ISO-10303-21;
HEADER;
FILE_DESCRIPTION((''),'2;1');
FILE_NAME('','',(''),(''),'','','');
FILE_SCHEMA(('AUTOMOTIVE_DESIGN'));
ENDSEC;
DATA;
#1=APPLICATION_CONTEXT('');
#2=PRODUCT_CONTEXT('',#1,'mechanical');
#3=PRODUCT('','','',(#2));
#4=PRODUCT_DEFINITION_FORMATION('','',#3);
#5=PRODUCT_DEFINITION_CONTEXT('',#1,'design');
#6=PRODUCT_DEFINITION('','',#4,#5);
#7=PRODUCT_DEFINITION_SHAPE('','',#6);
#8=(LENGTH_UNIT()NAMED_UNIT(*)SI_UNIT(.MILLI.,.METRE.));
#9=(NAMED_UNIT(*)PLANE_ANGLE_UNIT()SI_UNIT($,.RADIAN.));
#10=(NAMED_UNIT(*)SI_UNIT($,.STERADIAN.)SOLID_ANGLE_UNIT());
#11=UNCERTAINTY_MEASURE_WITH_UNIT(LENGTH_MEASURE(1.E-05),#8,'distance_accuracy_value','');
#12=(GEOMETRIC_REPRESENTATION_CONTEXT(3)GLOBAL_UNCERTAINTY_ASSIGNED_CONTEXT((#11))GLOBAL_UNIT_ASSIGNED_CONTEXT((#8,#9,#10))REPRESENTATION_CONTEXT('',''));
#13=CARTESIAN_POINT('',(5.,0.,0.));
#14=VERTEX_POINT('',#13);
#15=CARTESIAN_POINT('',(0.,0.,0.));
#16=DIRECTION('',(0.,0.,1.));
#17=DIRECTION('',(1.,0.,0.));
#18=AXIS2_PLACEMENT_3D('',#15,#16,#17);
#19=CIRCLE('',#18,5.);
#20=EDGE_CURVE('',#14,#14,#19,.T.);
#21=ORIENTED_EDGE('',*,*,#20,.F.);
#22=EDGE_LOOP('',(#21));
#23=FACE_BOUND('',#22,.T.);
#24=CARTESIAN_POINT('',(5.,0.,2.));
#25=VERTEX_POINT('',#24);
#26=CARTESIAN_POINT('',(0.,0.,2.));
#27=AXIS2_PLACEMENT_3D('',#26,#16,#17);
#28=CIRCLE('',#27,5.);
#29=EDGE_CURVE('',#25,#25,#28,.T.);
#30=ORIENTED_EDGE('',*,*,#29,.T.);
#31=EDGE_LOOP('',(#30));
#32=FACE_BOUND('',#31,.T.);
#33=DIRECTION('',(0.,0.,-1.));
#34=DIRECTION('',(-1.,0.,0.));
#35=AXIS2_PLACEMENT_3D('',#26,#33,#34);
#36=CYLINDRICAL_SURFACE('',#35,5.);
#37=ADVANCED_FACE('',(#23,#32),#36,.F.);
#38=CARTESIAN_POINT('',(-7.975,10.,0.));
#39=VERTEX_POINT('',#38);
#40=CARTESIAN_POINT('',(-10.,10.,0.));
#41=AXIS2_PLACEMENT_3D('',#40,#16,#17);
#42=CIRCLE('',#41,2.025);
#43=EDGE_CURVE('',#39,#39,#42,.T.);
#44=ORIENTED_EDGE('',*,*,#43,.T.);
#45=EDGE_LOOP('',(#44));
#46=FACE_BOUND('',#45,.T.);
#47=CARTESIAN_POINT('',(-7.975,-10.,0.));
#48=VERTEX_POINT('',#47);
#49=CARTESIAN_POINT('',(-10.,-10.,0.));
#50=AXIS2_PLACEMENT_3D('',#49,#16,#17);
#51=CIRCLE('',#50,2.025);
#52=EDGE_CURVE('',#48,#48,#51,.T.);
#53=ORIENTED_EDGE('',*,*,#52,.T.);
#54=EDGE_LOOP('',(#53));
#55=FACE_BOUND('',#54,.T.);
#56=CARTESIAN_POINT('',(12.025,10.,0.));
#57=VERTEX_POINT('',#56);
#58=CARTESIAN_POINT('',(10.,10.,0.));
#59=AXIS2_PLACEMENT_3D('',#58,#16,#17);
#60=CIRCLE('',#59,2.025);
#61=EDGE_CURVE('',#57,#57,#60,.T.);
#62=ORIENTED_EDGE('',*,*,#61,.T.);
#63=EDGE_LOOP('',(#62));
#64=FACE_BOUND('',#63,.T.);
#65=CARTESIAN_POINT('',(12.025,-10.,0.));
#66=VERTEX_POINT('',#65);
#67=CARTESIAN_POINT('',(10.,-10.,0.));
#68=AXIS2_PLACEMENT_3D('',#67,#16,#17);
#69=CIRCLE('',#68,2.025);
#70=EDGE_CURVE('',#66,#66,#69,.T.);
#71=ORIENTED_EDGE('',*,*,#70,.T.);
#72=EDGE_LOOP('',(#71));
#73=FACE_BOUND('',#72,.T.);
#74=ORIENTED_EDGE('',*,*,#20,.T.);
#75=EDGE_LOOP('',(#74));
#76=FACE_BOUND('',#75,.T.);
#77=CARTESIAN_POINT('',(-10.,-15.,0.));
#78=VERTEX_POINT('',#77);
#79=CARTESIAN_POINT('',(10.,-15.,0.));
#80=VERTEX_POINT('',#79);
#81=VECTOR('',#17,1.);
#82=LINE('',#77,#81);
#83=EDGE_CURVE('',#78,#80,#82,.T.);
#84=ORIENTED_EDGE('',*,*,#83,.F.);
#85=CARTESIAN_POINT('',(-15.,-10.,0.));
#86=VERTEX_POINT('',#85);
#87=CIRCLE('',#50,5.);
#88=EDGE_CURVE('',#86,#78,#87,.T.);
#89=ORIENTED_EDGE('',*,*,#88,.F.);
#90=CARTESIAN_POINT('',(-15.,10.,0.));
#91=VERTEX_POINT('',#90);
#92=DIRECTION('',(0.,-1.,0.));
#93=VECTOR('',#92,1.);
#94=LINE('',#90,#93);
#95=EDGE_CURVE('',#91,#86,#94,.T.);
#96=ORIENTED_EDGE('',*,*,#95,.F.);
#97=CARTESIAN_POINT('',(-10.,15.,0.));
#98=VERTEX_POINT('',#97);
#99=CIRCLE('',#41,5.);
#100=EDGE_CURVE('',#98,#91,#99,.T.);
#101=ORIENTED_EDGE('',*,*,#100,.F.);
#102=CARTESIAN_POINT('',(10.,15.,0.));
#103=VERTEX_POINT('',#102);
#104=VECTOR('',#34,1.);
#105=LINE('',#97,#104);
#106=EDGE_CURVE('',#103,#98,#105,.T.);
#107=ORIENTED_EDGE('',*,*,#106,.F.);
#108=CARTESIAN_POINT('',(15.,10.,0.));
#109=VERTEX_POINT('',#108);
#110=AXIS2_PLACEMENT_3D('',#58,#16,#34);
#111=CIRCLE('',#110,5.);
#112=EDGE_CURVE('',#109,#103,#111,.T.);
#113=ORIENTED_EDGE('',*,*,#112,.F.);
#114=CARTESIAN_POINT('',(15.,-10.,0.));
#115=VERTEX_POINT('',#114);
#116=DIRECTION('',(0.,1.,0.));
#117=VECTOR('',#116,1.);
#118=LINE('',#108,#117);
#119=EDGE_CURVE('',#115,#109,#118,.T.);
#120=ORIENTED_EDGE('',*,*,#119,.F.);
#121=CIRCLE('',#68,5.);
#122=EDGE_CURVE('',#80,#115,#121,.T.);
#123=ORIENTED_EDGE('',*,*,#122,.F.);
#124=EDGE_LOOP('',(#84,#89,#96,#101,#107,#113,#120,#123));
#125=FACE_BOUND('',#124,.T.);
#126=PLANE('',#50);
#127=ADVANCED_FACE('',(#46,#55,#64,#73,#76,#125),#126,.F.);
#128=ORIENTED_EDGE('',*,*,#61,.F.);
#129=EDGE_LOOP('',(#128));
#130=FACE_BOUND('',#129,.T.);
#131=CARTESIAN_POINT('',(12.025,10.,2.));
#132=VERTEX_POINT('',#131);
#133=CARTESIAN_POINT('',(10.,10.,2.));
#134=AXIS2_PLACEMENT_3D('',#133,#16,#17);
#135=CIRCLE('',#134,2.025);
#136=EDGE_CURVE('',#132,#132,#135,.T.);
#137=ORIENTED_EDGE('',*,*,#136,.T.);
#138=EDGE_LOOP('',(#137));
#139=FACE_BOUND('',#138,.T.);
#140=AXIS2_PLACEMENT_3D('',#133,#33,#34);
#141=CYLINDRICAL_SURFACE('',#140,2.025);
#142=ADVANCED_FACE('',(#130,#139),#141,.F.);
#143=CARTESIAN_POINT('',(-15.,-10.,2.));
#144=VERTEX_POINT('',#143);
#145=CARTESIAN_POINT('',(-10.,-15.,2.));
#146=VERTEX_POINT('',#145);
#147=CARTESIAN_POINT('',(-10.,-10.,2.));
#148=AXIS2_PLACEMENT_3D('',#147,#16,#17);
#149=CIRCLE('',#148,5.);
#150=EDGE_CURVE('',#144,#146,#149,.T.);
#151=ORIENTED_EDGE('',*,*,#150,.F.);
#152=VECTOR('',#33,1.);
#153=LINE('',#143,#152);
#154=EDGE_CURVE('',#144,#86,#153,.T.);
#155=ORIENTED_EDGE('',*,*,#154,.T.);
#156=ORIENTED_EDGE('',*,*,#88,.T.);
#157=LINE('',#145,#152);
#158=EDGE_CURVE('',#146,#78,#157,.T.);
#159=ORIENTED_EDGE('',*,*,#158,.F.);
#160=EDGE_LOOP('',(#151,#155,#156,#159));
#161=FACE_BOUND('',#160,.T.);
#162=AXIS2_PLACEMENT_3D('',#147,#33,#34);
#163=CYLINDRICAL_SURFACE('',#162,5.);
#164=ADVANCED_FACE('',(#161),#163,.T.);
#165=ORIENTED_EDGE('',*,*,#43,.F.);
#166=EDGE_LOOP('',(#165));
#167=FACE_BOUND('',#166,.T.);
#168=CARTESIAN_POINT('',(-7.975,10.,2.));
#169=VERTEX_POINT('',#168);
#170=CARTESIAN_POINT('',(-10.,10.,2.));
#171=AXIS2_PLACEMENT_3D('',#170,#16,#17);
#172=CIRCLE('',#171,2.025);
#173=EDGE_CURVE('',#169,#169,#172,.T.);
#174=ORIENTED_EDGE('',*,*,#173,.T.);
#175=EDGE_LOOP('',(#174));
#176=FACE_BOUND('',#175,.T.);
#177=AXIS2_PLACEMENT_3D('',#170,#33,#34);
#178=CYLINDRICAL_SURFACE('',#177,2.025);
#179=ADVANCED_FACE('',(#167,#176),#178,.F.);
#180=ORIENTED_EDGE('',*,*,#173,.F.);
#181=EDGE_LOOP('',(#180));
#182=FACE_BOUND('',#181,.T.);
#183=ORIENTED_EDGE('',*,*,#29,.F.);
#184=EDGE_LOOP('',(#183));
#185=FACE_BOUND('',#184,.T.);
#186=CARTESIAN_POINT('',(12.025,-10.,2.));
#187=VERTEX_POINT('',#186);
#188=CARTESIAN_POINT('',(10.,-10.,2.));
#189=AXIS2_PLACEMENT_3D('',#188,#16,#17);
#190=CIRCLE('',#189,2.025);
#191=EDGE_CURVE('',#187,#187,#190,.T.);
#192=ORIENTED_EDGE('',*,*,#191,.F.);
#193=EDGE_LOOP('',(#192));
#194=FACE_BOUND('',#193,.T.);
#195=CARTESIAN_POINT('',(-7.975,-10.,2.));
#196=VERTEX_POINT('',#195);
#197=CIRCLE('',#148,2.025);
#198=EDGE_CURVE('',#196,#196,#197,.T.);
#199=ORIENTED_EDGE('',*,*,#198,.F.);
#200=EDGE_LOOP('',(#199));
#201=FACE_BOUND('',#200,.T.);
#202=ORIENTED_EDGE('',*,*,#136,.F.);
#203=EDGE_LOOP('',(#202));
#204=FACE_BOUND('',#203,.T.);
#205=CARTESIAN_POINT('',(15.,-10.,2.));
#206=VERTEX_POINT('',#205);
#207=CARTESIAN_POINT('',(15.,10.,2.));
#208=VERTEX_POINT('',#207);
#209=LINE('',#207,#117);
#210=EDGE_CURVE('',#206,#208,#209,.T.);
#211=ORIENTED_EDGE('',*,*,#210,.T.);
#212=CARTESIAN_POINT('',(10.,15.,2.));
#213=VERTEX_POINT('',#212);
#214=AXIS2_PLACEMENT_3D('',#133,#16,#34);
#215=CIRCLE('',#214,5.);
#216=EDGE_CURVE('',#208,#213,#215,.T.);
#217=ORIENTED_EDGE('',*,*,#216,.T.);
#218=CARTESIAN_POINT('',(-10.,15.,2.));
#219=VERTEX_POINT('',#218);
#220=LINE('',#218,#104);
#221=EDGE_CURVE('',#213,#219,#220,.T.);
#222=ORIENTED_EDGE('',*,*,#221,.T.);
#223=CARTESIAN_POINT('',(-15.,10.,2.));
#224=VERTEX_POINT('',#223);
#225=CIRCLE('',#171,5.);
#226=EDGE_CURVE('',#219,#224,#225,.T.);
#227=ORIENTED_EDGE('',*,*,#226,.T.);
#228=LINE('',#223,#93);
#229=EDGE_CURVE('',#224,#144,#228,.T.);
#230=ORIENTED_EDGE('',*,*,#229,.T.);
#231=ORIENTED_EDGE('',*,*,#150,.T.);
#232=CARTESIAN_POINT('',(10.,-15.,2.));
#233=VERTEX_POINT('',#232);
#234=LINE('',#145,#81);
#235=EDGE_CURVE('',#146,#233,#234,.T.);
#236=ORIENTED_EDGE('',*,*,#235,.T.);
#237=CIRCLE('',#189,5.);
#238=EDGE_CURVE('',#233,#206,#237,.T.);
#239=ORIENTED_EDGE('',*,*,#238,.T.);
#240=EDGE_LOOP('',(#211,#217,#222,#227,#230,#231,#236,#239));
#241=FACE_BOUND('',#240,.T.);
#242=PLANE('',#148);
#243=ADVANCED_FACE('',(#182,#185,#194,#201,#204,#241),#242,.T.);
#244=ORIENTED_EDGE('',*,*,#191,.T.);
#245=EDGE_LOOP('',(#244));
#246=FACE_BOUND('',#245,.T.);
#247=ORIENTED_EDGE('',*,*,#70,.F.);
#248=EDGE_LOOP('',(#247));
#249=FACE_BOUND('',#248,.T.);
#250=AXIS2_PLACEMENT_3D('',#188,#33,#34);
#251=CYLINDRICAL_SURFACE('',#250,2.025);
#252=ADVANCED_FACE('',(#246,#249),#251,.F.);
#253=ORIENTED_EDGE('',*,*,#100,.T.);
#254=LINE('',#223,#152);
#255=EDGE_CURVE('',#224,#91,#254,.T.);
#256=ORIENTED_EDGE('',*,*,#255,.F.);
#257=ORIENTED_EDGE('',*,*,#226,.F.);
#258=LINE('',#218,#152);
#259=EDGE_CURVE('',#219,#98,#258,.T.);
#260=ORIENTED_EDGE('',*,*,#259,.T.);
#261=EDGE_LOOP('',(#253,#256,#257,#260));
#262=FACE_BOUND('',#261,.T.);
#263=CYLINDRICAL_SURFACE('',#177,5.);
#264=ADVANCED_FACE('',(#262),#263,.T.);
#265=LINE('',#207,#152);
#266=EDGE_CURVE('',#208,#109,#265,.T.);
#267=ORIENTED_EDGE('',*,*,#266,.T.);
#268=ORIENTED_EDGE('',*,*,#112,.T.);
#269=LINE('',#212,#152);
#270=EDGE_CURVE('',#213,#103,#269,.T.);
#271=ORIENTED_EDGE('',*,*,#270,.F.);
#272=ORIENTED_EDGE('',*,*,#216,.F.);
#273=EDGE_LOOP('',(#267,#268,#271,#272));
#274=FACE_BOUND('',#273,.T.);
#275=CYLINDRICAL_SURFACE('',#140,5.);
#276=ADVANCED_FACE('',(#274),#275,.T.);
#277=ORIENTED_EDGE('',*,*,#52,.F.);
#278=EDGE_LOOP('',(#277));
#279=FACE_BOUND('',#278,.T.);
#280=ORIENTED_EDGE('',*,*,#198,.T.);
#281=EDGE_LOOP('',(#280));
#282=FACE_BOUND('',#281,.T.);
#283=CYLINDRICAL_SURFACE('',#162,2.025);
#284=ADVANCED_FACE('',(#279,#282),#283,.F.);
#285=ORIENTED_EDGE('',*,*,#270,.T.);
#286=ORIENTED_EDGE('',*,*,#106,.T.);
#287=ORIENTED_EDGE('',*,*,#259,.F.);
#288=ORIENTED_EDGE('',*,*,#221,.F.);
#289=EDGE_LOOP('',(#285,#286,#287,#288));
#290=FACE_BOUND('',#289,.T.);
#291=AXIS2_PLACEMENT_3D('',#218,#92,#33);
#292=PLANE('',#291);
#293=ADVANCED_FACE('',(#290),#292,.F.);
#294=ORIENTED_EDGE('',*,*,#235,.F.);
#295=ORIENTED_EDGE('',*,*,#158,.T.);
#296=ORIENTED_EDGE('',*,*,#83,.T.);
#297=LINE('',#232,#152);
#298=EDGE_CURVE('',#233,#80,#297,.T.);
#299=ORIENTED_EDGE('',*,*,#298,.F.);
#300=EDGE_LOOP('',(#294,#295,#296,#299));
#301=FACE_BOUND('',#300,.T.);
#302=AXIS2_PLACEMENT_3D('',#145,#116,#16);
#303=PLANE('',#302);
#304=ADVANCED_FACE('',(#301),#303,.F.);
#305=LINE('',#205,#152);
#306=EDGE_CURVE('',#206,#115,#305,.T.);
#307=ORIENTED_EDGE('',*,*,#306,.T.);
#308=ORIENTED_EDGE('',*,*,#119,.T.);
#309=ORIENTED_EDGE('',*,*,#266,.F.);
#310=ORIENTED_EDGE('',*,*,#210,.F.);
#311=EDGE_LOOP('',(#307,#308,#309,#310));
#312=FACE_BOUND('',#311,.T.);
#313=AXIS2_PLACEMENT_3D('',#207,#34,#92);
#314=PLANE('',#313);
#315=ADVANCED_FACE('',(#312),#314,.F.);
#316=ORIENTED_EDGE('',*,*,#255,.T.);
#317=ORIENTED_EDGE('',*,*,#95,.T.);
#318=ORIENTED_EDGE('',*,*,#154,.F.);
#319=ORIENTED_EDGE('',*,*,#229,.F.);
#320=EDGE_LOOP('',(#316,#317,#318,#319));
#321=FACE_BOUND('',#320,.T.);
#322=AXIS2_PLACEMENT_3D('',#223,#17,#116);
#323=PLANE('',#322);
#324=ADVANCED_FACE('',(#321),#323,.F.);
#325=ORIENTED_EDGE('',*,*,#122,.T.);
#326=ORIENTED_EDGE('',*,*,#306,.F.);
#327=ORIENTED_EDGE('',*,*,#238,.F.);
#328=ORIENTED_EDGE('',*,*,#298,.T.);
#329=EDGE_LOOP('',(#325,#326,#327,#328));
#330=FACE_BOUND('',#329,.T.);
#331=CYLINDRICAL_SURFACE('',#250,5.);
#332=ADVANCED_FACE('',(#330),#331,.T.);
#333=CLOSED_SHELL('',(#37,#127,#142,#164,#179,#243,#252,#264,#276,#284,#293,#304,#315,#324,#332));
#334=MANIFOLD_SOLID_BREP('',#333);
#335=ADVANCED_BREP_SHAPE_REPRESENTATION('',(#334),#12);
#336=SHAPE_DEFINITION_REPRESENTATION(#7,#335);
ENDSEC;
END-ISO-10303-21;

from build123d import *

# Parameters (mm, degrees)
SKETCH1_R           = 2.025
SKETCH1_R_2         = 5
BOSS_EXTRUDE1_DEPTH = 2


with BuildPart() as part:
    # Sketch1 → Boss-Extrude1 (new body)
    with BuildSketch(Plane.XY):
        with BuildLine():
            Line((-10, 15), (10, 15))
            ThreePointArc((10, 15), (13.535533906, 13.535533906), (15, 10))
            Line((15, 10), (15, -10))
            ThreePointArc((15, -10), (13.535533906, -13.535533906), (10, -15))
            Line((10, -15), (-10, -15))
            ThreePointArc((-10, -15), (-13.535533906, -13.535533906), (-15, -10))
            Line((-15, -10), (-15, 10))
            ThreePointArc((-15, 10), (-13.535533906, 13.535533906), (-10, 15))
        make_face()
        with Locations((-10, 10)):
            Circle(SKETCH1_R, mode=Mode.SUBTRACT)
        with Locations((10, 10)):
            Circle(SKETCH1_R, mode=Mode.SUBTRACT)
        with Locations((10, -10)):
            Circle(SKETCH1_R, mode=Mode.SUBTRACT)
        with Locations((-10, -10)):
            Circle(SKETCH1_R, mode=Mode.SUBTRACT)
        Circle(SKETCH1_R_2, mode=Mode.SUBTRACT)
    extrude(amount=BOSS_EXTRUDE1_DEPTH)


solid = part.part
